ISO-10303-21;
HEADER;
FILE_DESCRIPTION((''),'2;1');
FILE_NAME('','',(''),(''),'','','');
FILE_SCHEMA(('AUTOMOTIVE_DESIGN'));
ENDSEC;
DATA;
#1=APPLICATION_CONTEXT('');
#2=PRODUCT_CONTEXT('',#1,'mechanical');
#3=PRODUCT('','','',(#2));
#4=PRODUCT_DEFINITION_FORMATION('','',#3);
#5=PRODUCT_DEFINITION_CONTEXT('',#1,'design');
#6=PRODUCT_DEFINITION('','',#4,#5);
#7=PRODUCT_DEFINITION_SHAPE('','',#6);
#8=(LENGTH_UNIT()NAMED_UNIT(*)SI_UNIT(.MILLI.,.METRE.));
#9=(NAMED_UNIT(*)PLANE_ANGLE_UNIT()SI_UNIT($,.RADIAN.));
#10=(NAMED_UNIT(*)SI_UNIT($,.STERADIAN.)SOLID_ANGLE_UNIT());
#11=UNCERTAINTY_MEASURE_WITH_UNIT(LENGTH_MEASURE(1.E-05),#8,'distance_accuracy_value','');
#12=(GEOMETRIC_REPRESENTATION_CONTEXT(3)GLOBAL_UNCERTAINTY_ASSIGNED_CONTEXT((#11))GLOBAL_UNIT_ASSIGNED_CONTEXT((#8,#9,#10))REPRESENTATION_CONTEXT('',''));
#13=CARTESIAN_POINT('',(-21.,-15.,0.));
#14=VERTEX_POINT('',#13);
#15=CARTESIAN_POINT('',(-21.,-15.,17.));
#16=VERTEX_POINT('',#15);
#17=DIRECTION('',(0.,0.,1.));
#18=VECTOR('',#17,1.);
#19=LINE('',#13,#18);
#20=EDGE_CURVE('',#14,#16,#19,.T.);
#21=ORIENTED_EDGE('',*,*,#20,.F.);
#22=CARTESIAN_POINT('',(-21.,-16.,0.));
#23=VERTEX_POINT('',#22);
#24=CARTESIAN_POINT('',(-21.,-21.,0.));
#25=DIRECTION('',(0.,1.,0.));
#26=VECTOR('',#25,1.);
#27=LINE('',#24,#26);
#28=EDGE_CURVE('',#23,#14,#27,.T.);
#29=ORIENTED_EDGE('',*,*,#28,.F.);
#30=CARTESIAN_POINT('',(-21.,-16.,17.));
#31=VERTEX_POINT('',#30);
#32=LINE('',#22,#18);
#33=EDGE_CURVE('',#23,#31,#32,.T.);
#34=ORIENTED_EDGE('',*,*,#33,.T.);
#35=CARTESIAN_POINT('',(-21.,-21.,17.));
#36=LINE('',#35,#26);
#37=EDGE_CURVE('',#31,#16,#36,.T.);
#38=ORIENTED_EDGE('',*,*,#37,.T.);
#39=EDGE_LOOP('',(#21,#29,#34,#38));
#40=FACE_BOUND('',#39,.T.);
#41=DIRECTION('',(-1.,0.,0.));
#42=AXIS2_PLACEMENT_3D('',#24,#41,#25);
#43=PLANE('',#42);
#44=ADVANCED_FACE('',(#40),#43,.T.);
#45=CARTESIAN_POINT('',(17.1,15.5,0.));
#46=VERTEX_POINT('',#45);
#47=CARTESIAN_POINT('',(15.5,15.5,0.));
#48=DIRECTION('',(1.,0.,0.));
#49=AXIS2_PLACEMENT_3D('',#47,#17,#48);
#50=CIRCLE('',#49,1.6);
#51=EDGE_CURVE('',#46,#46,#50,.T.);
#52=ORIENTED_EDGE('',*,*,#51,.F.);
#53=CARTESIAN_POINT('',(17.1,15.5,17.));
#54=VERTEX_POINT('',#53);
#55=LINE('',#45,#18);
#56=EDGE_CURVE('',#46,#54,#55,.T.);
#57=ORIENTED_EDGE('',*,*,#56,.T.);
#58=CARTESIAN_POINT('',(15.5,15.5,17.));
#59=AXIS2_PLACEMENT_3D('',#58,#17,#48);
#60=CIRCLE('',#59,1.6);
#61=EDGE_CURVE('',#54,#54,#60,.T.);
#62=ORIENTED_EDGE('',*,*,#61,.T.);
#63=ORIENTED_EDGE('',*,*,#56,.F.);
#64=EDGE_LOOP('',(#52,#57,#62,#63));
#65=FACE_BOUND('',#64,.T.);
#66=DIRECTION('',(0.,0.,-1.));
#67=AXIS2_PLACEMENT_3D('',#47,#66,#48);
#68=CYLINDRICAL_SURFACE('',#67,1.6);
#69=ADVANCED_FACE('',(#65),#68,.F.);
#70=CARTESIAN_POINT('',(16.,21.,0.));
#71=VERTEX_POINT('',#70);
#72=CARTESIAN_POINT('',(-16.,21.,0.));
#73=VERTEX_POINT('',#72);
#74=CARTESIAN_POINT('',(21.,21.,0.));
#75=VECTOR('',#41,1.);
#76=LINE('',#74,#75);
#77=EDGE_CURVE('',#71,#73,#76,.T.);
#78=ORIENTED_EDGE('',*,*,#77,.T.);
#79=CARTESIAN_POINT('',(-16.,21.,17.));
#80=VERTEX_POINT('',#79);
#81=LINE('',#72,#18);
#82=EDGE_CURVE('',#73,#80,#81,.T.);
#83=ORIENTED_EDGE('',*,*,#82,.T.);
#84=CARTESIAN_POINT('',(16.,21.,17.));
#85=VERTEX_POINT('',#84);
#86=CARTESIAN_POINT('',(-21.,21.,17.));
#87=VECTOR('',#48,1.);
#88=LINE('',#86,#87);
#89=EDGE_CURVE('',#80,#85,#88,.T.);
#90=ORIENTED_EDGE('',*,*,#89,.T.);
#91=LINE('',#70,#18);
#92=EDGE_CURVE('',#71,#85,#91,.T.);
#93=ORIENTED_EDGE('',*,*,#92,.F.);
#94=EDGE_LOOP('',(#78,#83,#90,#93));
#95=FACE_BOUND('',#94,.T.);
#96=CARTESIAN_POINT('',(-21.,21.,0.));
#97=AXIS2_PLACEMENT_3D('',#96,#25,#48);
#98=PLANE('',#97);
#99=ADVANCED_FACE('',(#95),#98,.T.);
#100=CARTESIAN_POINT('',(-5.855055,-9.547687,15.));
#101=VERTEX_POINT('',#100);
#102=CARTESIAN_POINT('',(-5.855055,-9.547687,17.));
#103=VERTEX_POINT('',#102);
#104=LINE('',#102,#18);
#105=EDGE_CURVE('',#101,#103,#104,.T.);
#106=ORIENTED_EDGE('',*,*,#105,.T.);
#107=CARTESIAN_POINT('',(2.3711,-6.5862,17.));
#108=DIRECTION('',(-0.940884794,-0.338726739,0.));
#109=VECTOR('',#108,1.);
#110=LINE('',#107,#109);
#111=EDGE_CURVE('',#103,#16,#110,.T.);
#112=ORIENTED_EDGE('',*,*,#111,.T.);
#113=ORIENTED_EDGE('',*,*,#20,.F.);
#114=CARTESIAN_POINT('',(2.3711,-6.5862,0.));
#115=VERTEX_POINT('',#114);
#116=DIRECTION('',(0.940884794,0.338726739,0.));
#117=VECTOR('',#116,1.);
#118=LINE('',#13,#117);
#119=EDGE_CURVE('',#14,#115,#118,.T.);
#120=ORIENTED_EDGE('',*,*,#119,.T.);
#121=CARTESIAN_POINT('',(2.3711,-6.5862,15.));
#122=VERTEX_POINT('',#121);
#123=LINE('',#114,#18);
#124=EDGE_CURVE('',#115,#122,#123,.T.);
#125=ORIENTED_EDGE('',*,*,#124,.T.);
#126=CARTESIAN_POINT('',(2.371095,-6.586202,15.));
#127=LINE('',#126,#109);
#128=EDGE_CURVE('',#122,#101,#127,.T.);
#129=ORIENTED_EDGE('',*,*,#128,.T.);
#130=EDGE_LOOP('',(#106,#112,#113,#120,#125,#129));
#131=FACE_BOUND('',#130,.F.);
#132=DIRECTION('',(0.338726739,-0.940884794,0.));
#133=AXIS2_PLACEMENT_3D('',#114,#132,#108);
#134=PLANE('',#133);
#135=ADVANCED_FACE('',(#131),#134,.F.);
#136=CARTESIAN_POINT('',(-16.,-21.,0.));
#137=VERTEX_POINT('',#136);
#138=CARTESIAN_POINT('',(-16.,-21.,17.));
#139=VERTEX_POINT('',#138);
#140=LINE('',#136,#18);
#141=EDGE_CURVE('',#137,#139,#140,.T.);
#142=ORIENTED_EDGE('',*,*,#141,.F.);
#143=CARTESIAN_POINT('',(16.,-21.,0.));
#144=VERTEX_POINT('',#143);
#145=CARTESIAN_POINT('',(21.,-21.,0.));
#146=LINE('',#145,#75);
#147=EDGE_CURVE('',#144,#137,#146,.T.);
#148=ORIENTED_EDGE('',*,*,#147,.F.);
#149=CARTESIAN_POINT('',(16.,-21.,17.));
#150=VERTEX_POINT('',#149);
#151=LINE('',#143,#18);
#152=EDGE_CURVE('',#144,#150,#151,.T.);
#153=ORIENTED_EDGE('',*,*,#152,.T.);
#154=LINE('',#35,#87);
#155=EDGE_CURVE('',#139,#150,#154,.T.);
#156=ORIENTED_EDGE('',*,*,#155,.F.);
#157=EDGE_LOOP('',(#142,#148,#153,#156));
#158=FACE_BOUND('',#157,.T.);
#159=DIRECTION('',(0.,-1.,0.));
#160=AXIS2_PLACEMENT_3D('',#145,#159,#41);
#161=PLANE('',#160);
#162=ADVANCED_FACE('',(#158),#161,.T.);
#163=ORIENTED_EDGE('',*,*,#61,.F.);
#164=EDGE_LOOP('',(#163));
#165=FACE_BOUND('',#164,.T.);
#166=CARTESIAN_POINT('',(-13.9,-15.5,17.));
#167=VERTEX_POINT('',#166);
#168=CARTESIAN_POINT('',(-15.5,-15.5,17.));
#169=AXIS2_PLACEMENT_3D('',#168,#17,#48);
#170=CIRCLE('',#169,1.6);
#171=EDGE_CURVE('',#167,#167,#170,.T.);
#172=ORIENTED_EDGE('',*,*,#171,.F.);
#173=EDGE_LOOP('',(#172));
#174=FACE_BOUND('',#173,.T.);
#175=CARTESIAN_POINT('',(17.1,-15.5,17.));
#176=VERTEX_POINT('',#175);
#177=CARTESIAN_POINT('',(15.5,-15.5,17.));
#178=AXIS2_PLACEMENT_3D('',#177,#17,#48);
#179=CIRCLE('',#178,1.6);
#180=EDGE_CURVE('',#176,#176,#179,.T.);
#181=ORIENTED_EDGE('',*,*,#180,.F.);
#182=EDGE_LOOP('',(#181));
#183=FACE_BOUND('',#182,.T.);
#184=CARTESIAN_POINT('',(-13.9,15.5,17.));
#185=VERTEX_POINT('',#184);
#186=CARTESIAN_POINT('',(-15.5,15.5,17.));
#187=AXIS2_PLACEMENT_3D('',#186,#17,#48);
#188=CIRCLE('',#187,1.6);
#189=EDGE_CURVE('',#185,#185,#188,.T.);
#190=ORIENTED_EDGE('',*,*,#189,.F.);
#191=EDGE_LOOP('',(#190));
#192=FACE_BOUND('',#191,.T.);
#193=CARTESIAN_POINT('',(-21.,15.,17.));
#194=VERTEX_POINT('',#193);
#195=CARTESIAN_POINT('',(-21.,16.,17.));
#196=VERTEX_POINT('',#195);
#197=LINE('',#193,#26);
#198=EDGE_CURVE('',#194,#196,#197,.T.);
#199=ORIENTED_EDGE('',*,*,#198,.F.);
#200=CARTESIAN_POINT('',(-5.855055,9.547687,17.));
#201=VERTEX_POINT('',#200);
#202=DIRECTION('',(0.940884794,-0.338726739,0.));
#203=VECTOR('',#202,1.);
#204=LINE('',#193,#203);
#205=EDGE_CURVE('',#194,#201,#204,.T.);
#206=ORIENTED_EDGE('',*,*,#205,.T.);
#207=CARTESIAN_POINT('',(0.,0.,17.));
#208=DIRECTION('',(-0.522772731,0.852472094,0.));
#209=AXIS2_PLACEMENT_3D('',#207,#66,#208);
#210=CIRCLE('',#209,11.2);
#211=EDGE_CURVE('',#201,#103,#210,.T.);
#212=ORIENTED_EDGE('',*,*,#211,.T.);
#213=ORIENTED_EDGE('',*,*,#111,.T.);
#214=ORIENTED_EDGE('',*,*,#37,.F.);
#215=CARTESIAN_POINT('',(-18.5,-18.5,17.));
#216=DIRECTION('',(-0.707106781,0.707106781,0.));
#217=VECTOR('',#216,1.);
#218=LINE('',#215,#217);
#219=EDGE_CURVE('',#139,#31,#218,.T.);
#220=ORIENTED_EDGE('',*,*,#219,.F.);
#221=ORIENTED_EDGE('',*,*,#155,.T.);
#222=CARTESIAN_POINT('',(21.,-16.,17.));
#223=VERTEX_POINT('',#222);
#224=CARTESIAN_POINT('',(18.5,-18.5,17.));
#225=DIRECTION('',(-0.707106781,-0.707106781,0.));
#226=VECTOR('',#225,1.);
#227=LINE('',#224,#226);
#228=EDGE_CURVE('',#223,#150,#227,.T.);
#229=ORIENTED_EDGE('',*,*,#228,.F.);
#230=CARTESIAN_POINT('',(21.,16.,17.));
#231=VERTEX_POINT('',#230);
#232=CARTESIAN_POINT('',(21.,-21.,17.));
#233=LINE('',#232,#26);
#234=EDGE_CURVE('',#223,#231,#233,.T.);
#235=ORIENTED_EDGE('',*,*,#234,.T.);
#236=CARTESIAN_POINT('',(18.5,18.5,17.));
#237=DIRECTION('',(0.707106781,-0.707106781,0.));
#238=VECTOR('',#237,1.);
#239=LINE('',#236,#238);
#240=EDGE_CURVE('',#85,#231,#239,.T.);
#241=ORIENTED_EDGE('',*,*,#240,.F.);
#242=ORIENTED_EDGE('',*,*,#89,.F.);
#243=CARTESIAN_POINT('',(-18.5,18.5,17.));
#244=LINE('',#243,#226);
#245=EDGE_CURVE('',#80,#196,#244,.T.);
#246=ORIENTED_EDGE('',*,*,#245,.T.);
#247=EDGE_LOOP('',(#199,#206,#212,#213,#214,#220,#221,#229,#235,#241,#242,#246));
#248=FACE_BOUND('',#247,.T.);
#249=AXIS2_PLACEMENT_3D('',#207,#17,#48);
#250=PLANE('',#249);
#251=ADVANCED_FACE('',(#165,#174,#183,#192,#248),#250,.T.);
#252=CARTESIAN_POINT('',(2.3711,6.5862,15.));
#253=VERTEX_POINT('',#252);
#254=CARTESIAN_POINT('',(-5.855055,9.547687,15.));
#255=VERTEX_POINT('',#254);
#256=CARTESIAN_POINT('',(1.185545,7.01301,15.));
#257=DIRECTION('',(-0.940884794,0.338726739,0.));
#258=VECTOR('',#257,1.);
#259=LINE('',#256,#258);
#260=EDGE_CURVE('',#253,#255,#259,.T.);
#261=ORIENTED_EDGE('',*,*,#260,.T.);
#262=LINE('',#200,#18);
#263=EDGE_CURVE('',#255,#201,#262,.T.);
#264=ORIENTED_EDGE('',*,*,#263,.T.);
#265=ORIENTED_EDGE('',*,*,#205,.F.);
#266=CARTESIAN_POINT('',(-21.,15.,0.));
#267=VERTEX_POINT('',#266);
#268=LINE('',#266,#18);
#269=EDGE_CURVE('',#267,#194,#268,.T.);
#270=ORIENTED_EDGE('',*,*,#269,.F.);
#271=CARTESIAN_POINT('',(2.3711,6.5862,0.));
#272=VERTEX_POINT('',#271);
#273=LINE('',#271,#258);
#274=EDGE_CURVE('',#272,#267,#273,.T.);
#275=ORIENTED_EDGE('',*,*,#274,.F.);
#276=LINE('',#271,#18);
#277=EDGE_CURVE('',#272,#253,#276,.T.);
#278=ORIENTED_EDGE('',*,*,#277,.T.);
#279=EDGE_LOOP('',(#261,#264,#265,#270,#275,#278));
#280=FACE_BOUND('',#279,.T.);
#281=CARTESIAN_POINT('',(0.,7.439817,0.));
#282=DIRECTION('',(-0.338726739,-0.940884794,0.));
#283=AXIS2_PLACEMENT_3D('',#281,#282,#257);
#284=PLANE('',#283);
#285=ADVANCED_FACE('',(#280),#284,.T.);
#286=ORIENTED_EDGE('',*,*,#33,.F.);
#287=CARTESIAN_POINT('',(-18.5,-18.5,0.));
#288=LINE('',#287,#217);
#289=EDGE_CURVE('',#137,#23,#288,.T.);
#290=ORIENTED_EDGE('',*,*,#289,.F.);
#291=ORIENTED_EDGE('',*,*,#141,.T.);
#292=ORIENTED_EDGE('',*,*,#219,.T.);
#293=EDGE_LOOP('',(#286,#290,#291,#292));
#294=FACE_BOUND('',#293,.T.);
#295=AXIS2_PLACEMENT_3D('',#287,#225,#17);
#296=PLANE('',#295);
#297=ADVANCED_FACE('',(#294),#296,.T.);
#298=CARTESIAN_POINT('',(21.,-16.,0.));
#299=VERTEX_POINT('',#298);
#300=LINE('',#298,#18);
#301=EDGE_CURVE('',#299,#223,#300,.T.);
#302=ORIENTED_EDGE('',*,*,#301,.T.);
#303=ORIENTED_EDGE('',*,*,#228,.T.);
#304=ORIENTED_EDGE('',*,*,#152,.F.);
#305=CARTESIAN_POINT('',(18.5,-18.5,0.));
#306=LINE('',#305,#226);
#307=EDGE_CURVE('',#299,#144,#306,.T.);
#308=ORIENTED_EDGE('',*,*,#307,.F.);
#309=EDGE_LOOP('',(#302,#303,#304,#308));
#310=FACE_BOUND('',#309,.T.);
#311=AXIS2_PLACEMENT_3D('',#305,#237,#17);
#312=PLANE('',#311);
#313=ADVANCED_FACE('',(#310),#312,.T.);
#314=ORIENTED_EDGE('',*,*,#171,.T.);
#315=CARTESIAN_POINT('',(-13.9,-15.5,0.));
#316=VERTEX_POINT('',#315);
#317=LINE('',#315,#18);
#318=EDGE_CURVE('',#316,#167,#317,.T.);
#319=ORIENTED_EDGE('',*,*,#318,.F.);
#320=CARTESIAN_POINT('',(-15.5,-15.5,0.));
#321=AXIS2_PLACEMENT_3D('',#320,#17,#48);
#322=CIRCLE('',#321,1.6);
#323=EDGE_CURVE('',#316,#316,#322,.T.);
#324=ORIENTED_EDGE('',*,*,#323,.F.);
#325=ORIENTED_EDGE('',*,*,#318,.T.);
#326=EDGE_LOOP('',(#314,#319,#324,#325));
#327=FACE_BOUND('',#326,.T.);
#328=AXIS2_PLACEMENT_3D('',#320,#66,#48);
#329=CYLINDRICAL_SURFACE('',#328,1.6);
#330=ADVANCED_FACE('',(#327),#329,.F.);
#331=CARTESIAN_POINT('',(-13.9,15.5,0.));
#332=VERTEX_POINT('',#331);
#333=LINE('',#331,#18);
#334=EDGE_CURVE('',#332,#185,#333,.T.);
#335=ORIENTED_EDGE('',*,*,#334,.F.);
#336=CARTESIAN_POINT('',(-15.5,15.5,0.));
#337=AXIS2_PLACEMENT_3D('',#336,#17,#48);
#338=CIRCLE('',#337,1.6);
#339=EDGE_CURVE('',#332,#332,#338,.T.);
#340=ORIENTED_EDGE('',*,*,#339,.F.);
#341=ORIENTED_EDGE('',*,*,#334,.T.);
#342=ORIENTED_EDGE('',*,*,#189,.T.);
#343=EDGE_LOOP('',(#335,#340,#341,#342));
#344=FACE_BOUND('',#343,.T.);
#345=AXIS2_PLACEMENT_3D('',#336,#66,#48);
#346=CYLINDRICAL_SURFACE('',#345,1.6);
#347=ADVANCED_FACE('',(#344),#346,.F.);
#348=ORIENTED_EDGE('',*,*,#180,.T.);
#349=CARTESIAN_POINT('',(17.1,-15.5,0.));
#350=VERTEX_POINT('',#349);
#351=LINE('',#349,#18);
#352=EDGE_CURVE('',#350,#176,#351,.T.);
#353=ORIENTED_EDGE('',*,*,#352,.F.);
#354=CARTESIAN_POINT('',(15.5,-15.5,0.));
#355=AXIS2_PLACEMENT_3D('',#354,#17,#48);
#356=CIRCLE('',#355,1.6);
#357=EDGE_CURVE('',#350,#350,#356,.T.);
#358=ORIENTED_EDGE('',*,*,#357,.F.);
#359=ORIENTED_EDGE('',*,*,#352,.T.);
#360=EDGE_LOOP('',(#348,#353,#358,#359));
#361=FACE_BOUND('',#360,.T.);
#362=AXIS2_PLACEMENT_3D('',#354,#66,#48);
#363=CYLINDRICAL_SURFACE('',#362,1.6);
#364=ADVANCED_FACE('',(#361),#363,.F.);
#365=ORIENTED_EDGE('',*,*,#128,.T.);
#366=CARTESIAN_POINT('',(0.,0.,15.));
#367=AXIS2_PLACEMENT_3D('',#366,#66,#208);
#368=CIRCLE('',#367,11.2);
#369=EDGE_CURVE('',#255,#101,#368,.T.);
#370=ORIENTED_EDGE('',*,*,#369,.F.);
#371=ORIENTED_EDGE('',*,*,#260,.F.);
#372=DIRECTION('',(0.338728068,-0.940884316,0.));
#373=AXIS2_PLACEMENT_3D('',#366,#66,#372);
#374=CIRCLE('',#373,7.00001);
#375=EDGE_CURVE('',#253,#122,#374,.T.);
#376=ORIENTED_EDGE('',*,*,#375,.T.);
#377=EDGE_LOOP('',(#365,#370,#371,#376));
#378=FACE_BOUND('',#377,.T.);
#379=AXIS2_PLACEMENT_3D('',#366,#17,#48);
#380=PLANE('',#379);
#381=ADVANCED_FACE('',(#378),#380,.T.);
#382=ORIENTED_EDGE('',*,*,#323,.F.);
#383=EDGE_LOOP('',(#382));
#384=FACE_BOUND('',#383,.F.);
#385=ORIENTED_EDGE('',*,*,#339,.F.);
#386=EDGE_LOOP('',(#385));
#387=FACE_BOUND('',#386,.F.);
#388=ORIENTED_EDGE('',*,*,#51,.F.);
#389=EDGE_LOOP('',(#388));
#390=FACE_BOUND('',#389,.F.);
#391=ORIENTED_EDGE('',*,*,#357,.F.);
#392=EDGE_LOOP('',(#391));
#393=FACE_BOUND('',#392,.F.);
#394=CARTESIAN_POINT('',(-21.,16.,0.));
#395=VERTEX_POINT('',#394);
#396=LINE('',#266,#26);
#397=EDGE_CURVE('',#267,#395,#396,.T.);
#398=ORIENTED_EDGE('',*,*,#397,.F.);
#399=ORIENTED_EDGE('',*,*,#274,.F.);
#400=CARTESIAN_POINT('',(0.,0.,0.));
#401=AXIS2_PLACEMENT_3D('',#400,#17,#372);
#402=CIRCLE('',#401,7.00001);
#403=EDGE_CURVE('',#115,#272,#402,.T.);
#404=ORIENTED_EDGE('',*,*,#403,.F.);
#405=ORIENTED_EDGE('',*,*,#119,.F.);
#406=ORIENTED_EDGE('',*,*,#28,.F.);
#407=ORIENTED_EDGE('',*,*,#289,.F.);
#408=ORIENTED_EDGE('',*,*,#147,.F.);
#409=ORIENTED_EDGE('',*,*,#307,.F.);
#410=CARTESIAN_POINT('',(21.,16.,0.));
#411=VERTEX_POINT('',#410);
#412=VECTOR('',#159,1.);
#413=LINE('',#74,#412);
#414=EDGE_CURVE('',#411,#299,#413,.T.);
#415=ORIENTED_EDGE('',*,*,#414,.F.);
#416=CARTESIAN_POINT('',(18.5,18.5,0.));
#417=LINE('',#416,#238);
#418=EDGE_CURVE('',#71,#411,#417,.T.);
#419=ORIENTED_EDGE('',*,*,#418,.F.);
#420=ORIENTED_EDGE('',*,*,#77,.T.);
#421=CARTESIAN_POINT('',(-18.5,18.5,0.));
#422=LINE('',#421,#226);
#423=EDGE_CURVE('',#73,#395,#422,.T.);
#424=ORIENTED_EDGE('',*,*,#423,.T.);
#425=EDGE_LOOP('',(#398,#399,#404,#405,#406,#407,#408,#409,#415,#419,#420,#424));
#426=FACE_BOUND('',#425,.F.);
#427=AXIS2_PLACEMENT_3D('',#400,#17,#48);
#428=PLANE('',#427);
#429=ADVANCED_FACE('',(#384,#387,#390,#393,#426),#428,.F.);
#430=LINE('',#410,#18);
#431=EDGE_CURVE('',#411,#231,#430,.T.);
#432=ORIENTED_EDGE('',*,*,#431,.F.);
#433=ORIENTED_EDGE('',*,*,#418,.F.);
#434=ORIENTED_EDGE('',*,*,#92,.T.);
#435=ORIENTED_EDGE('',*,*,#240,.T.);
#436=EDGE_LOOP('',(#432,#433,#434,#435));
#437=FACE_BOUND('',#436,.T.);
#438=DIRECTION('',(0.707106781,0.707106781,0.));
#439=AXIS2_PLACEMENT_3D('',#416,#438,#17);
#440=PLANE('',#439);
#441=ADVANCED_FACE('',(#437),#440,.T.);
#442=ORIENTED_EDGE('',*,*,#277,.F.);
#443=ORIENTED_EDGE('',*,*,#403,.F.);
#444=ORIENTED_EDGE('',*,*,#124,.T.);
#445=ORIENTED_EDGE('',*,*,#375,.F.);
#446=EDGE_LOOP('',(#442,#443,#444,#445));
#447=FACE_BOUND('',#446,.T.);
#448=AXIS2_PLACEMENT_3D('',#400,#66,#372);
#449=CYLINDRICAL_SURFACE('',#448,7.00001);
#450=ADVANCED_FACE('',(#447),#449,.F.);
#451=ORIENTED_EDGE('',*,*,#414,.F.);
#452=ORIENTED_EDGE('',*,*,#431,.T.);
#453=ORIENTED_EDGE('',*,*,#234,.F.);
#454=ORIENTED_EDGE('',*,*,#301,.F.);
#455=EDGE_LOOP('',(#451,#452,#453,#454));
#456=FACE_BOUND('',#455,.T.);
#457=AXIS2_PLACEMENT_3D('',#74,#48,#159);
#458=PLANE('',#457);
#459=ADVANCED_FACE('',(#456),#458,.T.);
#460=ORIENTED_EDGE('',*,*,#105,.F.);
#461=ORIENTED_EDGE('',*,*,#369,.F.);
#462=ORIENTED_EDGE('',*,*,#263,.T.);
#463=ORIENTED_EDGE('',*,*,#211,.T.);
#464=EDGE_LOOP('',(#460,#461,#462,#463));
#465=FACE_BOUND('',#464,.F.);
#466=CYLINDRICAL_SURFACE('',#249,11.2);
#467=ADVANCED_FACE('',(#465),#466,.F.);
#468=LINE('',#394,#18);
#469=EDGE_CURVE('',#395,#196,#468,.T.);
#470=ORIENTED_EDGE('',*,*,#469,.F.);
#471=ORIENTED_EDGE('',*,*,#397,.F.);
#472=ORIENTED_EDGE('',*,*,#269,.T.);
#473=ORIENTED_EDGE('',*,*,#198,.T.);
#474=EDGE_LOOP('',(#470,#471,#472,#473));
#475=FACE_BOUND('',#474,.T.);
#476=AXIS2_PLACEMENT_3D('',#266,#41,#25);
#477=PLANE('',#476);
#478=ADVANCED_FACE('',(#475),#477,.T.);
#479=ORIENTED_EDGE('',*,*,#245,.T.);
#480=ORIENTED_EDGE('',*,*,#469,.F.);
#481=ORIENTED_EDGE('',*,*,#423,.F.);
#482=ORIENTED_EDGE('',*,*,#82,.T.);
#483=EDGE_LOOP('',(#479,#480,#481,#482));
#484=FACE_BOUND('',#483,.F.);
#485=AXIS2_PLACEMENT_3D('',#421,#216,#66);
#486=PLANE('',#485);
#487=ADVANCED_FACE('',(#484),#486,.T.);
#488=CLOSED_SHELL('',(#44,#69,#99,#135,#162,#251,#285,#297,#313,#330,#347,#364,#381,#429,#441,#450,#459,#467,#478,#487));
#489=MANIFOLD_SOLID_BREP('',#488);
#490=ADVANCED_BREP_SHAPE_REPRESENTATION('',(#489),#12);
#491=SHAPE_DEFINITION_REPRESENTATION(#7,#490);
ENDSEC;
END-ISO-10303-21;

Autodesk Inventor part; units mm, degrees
ref_plane "YZ Plane" through (0, 0, 0) normal (1, 0, 0) x (0, 1, 0)
ref_plane "XZ Plane" through (0, 0, 0) normal (0, 1, 0) x (-1, 0, 0)
ref_plane "XY Plane" through (0, 0, 0) normal (0, 0, 1) x (1, 0, 0)
sketch "Sketch1" plane through (0, 0, 0) normal (0, 0, 1) x (1, 0, 0)
  line L0 (-21, 21) -> (21, 21)
  line L1 (21, 21) -> (21, -21)
  line L2 (21, -21) -> (-21, -21)
  line L3 (-21, -21) -> (-21, -15)
  arc A0 (2.3711, -6.5862) -> (2.3711, 6.5862) centre (0, 0) ccw
  line L4 (2.3711, 6.5862) -> (-21, 15)
  line L5 (-21, 15) -> (-21, 21)
  line L6 (2.3711, -6.5862) -> (-21, -15)
  line L7 (0, -29.4) -> (0, 29.4) projected
  line L8 (-29.4, 0) -> (29.4, 0) projected
  circle A1 centre (-15.5, 15.5) radius 1.6
  circle A2 centre (15.5, 15.5) radius 1.6
  circle A3 centre (15.5, -15.5) radius 1.6
  circle A4 centre (-15.5, -15.5) radius 1.6
  dimension "d0" = 21
  dimension "d1" = 21
  dimension "d2" = 21
  dimension "d3" = 21
  dimension "d4" = 7
  dimension "d5" = 15.5
  dimension "d6" = 15.5
  dimension "d7" = 15.5
  dimension "d8" = 15.5
  dimension "d9" = 15.5
  dimension "d10" = 15.5
  dimension "d11" = 15.5
  dimension "d12" = 15.5
  dimension "d13" = 3.2
  dimension "d14" = 6
extrude "Extrusion1" add sketch "Sketch1" along normal blind 17 contours L0 L7 L4 L5 | L0 L1 L8 A0 L4 L7 | L1 L2 L7 L6 A0 L8 | L7 L2 L3 L6
chamfer "Chamfer1" distance 5 angle 45 4 edges at (-21, 21, 8.5) (-21, -21, 8.5) (21, 21, 8.5) (21, -21, 8.5)
sketch "Sketch2" plane through (0, 0, 17) normal (0, 0, 1) x (1, 0, 0)
  circle A0 centre (0, 0) radius 11.2
  dimension "d20" = 22.4
extrude "Extrusion2" cut sketch "Sketch2" against normal blind 2
properties part number "motor_spacer"
